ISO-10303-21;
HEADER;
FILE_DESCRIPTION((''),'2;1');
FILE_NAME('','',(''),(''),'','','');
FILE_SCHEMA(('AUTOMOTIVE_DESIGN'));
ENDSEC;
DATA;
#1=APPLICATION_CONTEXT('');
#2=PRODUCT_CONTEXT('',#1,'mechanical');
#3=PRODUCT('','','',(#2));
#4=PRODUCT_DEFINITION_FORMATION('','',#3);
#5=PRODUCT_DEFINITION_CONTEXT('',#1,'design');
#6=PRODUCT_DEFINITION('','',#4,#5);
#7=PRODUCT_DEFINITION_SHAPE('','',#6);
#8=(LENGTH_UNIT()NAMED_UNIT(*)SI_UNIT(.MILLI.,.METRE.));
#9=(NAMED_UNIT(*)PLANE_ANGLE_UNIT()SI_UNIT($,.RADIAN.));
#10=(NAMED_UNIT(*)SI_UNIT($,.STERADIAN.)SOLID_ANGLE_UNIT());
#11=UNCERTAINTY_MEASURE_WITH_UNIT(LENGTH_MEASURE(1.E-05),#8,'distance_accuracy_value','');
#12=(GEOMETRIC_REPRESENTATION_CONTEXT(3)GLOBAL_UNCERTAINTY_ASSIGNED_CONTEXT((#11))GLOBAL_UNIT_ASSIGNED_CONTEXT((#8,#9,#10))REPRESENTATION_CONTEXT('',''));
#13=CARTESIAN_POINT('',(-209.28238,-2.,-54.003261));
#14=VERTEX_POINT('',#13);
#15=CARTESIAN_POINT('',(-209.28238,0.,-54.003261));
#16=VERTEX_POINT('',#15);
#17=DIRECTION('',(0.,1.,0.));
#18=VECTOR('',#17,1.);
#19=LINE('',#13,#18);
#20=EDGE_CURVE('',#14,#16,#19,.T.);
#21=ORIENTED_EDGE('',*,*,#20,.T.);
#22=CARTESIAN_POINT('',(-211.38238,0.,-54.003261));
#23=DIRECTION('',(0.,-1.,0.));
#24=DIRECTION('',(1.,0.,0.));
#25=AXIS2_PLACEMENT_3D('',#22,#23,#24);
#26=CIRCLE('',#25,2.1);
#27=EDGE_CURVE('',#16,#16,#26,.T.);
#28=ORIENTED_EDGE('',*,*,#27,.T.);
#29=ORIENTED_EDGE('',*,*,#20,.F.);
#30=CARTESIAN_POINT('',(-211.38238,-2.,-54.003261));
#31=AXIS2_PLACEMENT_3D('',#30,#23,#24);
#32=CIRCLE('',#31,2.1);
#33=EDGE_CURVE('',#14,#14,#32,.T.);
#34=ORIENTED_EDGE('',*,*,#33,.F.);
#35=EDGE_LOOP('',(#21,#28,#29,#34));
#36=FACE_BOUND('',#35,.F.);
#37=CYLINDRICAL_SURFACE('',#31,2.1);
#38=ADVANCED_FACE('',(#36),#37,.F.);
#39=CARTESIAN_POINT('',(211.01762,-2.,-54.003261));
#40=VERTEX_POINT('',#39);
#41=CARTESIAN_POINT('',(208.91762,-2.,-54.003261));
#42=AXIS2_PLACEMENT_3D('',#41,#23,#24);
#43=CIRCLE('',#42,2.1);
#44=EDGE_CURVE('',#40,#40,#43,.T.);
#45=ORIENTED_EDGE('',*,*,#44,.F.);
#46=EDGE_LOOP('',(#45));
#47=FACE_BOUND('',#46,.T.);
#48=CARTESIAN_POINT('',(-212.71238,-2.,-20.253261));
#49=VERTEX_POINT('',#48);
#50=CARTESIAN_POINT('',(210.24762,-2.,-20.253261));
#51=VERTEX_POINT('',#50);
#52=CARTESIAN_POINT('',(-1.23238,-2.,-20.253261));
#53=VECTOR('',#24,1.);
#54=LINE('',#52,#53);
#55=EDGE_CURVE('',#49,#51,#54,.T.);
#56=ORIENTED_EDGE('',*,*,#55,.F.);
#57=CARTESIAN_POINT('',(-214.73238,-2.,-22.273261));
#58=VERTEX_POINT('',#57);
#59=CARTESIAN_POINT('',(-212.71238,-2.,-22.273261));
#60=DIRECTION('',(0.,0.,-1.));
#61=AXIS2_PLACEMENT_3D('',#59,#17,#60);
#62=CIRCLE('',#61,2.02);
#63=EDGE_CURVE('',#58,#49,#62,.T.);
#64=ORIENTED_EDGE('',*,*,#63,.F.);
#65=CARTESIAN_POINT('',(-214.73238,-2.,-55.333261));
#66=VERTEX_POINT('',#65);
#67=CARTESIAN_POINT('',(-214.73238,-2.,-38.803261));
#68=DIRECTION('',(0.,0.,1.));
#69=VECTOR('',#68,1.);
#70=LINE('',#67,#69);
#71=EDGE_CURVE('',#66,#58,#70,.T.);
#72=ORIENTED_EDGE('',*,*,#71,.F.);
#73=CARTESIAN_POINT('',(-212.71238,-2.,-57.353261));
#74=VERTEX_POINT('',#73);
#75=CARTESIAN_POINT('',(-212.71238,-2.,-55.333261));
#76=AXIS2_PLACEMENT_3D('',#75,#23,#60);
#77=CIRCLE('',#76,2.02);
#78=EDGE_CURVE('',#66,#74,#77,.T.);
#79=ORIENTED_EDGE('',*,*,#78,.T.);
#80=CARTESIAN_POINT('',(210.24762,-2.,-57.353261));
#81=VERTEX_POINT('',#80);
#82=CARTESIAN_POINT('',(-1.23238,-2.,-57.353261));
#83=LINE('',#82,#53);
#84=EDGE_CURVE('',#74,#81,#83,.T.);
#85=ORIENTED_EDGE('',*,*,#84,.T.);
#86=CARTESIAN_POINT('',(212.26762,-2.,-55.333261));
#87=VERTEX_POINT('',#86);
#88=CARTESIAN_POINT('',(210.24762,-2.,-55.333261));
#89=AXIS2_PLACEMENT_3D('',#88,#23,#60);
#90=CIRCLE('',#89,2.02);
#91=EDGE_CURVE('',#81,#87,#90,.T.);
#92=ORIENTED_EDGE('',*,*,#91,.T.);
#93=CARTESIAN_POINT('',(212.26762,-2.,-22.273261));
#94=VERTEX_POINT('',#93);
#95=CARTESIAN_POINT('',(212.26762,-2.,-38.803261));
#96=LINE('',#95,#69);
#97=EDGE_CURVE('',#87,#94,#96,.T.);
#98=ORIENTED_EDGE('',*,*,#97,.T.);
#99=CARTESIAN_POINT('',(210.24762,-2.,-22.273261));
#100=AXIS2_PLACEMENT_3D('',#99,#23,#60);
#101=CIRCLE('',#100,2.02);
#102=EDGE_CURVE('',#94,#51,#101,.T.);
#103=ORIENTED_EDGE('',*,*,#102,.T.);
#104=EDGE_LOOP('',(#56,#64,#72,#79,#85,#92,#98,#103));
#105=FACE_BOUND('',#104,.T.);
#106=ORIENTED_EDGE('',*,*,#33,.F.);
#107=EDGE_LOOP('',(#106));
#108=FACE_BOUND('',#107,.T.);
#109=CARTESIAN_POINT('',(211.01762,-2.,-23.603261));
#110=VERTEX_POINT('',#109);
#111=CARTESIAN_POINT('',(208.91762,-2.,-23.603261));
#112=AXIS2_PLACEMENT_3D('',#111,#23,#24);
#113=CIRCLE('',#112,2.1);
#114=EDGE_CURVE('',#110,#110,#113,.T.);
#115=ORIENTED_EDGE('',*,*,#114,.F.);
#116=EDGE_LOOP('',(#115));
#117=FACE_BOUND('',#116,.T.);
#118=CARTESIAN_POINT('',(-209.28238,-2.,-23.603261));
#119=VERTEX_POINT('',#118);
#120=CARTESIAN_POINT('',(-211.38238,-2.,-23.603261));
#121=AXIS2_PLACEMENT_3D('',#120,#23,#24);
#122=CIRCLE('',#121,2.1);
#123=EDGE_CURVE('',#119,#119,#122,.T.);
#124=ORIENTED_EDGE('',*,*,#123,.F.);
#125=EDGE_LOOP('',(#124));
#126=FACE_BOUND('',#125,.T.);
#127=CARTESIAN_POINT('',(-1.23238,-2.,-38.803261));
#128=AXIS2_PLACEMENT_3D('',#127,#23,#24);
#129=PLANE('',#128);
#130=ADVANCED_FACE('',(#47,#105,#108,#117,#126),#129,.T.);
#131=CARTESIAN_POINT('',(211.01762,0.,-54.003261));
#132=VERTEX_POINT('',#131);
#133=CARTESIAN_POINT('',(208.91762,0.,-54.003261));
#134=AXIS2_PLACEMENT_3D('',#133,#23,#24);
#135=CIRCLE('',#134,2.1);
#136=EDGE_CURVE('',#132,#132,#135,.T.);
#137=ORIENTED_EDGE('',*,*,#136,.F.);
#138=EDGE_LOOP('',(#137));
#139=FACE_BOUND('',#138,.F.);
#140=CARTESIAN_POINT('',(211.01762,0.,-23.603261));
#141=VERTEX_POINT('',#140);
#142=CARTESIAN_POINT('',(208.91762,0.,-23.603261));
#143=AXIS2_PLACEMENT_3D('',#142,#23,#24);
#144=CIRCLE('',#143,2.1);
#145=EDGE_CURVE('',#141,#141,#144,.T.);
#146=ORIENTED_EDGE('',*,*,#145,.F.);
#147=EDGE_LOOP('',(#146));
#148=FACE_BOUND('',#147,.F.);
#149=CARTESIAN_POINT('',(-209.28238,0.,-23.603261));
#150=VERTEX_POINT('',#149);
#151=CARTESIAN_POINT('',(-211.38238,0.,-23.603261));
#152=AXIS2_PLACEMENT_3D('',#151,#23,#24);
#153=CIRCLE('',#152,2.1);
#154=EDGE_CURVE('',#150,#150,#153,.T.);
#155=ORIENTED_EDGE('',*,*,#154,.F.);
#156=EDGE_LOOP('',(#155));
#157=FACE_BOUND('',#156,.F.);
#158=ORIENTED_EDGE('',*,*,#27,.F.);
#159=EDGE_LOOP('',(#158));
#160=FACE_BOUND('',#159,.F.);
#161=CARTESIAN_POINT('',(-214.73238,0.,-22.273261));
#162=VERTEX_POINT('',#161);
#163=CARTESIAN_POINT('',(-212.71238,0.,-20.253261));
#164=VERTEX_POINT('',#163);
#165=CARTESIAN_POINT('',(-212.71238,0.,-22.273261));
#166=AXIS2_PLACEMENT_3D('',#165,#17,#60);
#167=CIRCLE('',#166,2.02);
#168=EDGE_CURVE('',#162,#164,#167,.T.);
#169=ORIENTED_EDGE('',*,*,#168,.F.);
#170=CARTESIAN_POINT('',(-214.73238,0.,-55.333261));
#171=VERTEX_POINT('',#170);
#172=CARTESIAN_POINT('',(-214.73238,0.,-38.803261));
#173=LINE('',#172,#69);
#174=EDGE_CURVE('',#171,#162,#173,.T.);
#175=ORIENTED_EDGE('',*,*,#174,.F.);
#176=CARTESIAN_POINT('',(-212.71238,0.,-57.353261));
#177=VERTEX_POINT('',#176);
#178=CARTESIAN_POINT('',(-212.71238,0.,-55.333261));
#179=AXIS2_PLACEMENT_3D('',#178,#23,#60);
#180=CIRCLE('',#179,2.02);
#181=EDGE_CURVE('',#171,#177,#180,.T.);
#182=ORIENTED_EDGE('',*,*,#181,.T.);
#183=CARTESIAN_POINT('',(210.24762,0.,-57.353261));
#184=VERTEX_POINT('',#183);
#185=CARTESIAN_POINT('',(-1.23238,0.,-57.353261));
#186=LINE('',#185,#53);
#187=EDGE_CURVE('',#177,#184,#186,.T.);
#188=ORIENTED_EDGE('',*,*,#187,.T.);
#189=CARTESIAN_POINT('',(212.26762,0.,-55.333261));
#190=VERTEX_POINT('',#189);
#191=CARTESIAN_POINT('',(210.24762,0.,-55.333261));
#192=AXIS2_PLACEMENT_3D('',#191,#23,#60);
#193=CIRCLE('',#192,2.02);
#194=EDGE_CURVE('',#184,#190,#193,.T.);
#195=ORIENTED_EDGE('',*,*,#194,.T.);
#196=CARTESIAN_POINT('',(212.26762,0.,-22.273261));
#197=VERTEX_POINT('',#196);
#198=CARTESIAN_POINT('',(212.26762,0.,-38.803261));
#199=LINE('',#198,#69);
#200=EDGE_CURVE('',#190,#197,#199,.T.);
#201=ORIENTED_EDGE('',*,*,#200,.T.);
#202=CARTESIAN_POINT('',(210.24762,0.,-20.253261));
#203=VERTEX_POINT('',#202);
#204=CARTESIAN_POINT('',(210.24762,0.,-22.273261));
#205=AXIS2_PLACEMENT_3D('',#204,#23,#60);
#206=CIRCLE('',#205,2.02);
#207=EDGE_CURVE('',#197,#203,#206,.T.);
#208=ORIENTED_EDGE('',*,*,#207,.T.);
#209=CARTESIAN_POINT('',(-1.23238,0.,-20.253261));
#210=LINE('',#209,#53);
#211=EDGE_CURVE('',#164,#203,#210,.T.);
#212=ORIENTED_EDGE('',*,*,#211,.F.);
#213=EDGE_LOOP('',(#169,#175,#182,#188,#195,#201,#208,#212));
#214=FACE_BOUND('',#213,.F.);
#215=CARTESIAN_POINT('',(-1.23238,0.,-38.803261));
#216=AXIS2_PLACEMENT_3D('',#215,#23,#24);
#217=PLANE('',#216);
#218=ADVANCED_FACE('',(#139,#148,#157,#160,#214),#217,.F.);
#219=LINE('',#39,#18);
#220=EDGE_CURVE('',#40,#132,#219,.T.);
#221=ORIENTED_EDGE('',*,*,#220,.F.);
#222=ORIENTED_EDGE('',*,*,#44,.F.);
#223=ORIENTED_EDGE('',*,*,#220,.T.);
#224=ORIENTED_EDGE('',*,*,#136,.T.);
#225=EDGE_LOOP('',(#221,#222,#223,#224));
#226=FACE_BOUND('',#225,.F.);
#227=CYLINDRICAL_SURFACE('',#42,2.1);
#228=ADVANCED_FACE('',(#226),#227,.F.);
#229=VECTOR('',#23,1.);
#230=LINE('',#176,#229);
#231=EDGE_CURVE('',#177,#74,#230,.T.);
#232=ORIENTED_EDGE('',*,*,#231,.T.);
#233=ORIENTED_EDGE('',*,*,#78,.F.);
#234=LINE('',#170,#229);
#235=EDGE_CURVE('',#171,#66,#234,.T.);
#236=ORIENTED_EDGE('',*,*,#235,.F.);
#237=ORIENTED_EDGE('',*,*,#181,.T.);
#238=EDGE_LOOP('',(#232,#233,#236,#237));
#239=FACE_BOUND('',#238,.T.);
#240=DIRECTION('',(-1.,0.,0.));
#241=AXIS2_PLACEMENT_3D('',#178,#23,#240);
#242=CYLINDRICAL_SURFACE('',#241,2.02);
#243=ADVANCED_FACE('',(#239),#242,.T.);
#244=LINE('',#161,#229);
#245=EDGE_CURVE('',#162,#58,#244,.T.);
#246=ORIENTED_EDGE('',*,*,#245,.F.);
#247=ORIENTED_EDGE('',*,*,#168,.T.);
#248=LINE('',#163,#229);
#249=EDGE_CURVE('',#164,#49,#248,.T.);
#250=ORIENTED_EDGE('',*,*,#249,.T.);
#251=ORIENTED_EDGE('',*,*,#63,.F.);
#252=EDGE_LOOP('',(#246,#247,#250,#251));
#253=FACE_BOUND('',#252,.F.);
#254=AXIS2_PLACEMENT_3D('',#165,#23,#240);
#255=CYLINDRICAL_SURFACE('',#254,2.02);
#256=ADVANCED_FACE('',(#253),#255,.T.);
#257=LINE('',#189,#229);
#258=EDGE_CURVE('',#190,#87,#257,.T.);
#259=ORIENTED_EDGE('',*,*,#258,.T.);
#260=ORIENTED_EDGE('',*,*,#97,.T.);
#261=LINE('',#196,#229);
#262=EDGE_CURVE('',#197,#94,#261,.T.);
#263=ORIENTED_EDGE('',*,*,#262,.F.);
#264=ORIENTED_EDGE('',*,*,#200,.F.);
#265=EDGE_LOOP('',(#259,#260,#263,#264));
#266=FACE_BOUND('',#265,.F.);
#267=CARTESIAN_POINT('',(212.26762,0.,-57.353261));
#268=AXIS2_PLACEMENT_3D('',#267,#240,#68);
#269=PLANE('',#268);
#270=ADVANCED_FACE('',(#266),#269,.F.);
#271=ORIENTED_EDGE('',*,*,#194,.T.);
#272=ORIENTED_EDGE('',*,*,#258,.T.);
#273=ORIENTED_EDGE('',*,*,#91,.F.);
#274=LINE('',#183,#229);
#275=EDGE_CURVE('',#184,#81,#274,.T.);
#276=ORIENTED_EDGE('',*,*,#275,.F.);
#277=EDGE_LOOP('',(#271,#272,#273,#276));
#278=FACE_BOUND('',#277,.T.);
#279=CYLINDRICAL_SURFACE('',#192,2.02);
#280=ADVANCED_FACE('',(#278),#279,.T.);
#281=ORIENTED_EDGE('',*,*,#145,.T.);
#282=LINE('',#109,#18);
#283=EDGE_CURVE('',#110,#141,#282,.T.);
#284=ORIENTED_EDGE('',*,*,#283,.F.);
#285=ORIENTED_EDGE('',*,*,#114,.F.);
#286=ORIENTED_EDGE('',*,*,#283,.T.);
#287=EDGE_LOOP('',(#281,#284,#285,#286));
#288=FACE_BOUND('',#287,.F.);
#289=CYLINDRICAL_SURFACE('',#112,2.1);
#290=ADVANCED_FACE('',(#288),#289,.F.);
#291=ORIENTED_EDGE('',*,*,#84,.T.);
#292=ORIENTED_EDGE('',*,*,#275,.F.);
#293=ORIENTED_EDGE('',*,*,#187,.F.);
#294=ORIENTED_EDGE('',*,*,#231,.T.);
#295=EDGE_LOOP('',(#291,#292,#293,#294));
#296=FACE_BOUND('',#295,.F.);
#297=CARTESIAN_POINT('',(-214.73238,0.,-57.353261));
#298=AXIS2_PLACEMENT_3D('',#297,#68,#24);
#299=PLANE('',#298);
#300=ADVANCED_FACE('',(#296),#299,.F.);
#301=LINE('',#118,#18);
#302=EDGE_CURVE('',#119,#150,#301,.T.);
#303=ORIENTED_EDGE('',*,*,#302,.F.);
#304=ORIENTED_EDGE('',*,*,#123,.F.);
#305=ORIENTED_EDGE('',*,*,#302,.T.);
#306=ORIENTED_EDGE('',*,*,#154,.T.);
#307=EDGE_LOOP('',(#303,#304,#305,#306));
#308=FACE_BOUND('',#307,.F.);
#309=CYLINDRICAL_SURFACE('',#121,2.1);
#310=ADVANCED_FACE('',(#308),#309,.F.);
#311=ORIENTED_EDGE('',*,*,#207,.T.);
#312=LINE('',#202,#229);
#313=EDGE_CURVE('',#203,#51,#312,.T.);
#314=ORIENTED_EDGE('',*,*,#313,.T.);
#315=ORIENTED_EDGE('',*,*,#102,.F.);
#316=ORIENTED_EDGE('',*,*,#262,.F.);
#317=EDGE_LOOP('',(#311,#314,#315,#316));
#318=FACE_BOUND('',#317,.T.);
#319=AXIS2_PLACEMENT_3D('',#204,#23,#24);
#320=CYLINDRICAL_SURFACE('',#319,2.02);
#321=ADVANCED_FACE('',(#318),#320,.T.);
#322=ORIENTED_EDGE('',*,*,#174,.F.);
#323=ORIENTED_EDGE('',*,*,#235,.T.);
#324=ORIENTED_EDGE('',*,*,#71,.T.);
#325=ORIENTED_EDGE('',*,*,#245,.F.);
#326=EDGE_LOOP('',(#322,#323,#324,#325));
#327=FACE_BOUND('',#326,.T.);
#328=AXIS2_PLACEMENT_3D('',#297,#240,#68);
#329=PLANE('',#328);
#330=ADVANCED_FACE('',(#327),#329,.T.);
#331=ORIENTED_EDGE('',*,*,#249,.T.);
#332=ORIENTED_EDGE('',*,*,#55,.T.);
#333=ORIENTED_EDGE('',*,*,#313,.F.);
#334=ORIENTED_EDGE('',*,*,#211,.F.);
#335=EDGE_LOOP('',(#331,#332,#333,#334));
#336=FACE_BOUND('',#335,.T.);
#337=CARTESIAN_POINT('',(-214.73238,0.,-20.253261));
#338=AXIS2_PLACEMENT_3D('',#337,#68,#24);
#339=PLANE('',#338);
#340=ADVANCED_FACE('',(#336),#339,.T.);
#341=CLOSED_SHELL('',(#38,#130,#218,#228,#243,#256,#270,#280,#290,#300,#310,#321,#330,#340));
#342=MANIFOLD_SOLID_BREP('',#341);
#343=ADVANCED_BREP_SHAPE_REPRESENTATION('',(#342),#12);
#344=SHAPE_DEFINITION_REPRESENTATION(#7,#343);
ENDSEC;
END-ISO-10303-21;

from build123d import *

# Parameters (mm, degrees)
F0_W     = 427
F0_H     = 37.1
F1_DEPTH = 2
F2_R     = 2.02
F3_R     = 2.1
F6_DEPTH = 25
F4_R     = 2.1
F5_R     = 2.1
F7_DEPTH = 25


with BuildPart() as f1:
    # F0 (on Front) → F1 (new body)
    with BuildSketch(Plane.XZ):
        with Locations((-1.23238, -38.803261)):
            Rectangle(F0_W, F0_H)
    extrude(amount=F1_DEPTH)

    # F2
    f2_edges = [f1.edges().sort_by_distance(p)[0] for p in [
        (-214.73238, -1, -20.253261),
        (-214.73238, -1, -57.353261),
        (212.26762, -1, -57.353261),
        (212.26762, -1, -20.253261),
    ]]
    fillet(f2_edges, radius=F2_R)

    # F3 (on face) → F6 (cut)
    with BuildSketch(Plane.XZ.offset(2)):
        with Locations((-211.38238, -23.603261)):
            Circle(F3_R)
    extrude(amount=-F6_DEPTH, mode=Mode.SUBTRACT)

    # F4 (on face) + F5 (on face) → F7 (cut)
    with BuildSketch(Plane.XZ.offset(2)):
        with Locations((-211.38238, -54.003261)):
            Circle(F4_R)
    with BuildSketch(Plane.XZ.offset(2)):
        with Locations((208.91762, -23.603261)):
            Circle(F5_R)
        with Locations((208.91762, -54.003261)):
            Circle(F5_R)
    extrude(amount=-F7_DEPTH, mode=Mode.SUBTRACT)


solid = f1.part
